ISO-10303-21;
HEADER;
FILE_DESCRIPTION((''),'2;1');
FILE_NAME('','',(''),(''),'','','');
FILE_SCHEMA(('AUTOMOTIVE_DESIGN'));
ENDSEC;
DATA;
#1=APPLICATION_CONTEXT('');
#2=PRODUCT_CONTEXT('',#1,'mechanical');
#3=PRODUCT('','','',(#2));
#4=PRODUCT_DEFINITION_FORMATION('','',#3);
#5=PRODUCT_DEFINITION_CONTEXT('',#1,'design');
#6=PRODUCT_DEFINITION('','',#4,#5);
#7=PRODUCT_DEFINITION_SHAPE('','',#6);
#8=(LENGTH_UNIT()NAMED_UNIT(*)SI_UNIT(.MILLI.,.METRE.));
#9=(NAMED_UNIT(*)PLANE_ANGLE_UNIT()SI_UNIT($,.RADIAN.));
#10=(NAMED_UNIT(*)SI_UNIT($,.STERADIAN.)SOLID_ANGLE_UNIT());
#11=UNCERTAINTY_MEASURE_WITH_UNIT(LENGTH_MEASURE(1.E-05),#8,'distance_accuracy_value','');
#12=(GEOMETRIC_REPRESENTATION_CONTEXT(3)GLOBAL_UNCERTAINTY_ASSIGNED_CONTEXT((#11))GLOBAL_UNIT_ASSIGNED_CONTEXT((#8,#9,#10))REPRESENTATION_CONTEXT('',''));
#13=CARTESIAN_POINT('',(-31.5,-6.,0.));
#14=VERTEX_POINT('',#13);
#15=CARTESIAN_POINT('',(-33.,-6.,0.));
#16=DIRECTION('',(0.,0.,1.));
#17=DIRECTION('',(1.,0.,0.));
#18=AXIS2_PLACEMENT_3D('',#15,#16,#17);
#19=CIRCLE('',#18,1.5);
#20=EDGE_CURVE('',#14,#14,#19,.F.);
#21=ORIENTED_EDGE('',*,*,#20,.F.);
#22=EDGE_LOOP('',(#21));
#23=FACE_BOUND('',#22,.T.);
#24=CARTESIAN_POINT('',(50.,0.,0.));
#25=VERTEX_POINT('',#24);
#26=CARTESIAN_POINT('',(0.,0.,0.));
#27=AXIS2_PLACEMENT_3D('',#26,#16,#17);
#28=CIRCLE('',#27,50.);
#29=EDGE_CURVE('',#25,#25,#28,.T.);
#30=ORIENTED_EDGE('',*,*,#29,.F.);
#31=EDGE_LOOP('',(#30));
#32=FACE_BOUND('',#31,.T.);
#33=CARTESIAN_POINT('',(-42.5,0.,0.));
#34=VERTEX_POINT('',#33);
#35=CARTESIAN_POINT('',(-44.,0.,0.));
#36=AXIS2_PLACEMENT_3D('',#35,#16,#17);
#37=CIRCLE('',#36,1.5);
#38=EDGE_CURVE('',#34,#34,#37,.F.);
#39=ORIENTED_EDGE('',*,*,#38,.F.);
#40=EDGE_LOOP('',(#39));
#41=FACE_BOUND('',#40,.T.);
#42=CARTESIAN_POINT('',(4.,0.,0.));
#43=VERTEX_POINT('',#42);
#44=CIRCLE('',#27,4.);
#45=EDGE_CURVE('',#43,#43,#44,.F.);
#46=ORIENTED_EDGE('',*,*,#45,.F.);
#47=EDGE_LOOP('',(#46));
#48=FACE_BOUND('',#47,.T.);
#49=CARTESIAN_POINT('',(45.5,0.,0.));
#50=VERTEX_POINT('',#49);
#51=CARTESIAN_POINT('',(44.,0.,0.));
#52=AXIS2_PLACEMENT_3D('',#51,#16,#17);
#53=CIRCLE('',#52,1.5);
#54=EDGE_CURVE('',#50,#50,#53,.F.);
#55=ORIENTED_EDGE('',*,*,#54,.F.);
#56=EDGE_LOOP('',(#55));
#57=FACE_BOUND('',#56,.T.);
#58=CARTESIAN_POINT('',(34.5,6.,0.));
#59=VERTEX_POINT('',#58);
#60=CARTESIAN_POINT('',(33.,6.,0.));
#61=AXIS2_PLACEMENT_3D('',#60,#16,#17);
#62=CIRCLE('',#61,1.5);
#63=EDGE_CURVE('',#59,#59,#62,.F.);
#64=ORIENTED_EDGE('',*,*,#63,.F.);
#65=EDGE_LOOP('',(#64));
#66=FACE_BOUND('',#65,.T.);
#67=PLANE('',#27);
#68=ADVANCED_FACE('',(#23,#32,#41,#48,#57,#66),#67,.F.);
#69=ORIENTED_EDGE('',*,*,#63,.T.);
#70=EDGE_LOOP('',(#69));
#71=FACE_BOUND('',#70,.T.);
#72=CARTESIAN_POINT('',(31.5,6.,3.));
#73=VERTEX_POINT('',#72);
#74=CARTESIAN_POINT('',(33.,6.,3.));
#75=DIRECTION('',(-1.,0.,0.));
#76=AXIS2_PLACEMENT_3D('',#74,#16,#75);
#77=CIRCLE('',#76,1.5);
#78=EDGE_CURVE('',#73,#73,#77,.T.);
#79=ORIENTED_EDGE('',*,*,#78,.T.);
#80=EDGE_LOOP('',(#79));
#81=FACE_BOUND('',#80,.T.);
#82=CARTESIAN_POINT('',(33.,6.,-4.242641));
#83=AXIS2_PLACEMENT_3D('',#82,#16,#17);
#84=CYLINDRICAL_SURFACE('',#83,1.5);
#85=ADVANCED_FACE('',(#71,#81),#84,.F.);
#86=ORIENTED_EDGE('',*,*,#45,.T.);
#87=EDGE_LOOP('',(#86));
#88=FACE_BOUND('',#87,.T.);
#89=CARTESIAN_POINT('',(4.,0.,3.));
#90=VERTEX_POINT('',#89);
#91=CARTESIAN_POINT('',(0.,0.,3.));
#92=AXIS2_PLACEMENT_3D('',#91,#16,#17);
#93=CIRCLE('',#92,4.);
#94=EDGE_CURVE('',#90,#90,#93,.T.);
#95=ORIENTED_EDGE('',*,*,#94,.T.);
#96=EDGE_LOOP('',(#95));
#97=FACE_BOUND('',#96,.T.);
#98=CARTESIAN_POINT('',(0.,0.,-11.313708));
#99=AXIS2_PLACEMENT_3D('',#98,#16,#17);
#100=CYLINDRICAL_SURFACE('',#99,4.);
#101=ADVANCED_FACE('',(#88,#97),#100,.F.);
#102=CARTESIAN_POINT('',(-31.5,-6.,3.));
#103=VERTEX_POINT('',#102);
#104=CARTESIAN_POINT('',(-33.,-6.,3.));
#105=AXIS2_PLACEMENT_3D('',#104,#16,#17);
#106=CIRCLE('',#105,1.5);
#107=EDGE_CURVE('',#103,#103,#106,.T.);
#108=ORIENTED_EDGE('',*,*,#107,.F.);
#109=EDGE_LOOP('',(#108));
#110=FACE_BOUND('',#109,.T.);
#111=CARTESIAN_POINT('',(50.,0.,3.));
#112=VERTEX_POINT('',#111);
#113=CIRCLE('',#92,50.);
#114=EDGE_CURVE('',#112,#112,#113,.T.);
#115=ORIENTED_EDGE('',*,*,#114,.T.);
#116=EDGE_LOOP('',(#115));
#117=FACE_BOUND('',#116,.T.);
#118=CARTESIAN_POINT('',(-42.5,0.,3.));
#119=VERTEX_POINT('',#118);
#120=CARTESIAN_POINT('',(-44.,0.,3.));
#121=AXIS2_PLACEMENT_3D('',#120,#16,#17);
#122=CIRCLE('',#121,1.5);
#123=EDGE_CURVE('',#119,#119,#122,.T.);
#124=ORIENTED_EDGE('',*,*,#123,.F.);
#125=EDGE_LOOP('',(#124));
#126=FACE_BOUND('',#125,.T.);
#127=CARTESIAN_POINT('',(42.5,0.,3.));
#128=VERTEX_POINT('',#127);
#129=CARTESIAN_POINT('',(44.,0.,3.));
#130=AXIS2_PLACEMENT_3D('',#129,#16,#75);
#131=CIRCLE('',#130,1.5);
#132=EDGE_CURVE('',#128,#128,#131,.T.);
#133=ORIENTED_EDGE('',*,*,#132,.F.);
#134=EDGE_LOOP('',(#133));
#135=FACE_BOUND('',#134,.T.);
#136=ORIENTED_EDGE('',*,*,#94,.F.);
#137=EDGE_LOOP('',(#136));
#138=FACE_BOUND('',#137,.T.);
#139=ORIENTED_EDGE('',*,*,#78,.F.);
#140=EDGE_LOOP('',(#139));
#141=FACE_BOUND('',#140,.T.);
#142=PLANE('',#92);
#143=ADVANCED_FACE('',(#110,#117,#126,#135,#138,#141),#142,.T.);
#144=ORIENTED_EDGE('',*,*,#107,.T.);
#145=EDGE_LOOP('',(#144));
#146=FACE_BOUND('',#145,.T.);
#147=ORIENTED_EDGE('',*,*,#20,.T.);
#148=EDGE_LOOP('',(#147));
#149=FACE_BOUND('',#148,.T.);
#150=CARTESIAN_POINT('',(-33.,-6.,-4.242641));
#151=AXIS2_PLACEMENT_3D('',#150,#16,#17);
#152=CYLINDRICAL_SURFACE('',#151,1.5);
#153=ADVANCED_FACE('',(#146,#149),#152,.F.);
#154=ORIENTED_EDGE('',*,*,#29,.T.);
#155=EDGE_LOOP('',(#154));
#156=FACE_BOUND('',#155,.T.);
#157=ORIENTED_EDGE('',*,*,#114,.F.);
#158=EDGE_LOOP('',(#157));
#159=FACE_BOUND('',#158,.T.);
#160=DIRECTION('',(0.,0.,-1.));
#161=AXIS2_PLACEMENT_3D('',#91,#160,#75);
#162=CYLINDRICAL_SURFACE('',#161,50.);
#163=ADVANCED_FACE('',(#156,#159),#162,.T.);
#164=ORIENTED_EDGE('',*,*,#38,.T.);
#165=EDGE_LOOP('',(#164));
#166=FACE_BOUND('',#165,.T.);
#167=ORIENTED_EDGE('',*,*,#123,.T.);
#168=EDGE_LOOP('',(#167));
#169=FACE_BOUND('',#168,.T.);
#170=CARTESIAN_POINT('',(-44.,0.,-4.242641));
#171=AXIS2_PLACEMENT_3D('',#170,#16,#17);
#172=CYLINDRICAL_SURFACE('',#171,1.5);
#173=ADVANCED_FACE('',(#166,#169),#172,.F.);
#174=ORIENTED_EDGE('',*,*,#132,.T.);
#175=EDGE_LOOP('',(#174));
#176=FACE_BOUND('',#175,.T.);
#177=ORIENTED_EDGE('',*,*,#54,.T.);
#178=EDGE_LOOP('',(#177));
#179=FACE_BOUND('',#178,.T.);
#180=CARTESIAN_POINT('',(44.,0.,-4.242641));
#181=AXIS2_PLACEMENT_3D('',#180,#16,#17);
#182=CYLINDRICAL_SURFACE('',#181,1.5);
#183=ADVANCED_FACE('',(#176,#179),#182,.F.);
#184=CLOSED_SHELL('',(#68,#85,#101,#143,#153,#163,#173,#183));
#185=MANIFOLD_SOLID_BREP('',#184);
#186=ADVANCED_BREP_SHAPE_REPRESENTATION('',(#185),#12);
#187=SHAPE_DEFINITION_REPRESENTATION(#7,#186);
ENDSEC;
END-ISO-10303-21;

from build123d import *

# Parameters (mm, degrees)
ESQUISSE1_R             = 50
BOSS_EXTRU_1_DEPTH      = 3
ESQUISSE2_R             = 4
ENL_V_MAT_EXTRU_1_DEPTH = 3
ESQUISSE3_R             = 1.5
ENL_V_MAT_EXTRU_2_DEPTH = 3
R_P_T_PAR_COURBE1_COUNT = 2
ESQUISSE4_R             = 1.5
ENL_V_MAT_EXTRU_3_DEPTH = 3
R_P_T_PAR_COURBE2_COUNT = 2


with BuildPart() as part:
    # Esquisse1 → Boss.-Extru.1 (new body)
    with BuildSketch(Plane.XY):
        Circle(ESQUISSE1_R)
    extrude(amount=BOSS_EXTRU_1_DEPTH)

    # Esquisse2 → Enlèv. mat.-Extru.1 (cut)
    with BuildSketch(Plane.XY.offset(3)):
        Circle(ESQUISSE2_R)
    extrude(amount=-ENL_V_MAT_EXTRU_1_DEPTH, mode=Mode.SUBTRACT)

    # Esquisse3 → Enlèv. mat.-Extru.2 (cut)
    with BuildSketch(Plane.XY.offset(3)):
        with Locations((-44, 0)):
            Circle(ESQUISSE3_R)
    enl_v_mat_extru_2 = extrude(amount=-ENL_V_MAT_EXTRU_2_DEPTH, mode=Mode.SUBTRACT)

    # Répét. par courbe1: Enlèv. mat.-Extru.2 ×2 about axis
    r_p_t_par_courbe1_axis = Axis((0, 0, 3), (0, 0, 1))
    for i in range(1, R_P_T_PAR_COURBE1_COUNT):
        add(enl_v_mat_extru_2.rotate(r_p_t_par_courbe1_axis, i * 360 / R_P_T_PAR_COURBE1_COUNT), mode=Mode.SUBTRACT)

    # Esquisse4 → Enlèv. mat.-Extru.3 (cut)
    with BuildSketch(Plane.XY.offset(3)):
        with Locations((-33, -6)):
            Circle(ESQUISSE4_R)
    enl_v_mat_extru_3 = extrude(amount=-ENL_V_MAT_EXTRU_3_DEPTH, mode=Mode.SUBTRACT)

    # Répét. par courbe2: Enlèv. mat.-Extru.3 ×2 about axis
    r_p_t_par_courbe2_axis = Axis((0, 0, 3), (0, 0, 1))
    for i in range(1, R_P_T_PAR_COURBE2_COUNT):
        add(enl_v_mat_extru_3.rotate(r_p_t_par_courbe2_axis, i * 360 / R_P_T_PAR_COURBE2_COUNT), mode=Mode.SUBTRACT)


solid = part.part
